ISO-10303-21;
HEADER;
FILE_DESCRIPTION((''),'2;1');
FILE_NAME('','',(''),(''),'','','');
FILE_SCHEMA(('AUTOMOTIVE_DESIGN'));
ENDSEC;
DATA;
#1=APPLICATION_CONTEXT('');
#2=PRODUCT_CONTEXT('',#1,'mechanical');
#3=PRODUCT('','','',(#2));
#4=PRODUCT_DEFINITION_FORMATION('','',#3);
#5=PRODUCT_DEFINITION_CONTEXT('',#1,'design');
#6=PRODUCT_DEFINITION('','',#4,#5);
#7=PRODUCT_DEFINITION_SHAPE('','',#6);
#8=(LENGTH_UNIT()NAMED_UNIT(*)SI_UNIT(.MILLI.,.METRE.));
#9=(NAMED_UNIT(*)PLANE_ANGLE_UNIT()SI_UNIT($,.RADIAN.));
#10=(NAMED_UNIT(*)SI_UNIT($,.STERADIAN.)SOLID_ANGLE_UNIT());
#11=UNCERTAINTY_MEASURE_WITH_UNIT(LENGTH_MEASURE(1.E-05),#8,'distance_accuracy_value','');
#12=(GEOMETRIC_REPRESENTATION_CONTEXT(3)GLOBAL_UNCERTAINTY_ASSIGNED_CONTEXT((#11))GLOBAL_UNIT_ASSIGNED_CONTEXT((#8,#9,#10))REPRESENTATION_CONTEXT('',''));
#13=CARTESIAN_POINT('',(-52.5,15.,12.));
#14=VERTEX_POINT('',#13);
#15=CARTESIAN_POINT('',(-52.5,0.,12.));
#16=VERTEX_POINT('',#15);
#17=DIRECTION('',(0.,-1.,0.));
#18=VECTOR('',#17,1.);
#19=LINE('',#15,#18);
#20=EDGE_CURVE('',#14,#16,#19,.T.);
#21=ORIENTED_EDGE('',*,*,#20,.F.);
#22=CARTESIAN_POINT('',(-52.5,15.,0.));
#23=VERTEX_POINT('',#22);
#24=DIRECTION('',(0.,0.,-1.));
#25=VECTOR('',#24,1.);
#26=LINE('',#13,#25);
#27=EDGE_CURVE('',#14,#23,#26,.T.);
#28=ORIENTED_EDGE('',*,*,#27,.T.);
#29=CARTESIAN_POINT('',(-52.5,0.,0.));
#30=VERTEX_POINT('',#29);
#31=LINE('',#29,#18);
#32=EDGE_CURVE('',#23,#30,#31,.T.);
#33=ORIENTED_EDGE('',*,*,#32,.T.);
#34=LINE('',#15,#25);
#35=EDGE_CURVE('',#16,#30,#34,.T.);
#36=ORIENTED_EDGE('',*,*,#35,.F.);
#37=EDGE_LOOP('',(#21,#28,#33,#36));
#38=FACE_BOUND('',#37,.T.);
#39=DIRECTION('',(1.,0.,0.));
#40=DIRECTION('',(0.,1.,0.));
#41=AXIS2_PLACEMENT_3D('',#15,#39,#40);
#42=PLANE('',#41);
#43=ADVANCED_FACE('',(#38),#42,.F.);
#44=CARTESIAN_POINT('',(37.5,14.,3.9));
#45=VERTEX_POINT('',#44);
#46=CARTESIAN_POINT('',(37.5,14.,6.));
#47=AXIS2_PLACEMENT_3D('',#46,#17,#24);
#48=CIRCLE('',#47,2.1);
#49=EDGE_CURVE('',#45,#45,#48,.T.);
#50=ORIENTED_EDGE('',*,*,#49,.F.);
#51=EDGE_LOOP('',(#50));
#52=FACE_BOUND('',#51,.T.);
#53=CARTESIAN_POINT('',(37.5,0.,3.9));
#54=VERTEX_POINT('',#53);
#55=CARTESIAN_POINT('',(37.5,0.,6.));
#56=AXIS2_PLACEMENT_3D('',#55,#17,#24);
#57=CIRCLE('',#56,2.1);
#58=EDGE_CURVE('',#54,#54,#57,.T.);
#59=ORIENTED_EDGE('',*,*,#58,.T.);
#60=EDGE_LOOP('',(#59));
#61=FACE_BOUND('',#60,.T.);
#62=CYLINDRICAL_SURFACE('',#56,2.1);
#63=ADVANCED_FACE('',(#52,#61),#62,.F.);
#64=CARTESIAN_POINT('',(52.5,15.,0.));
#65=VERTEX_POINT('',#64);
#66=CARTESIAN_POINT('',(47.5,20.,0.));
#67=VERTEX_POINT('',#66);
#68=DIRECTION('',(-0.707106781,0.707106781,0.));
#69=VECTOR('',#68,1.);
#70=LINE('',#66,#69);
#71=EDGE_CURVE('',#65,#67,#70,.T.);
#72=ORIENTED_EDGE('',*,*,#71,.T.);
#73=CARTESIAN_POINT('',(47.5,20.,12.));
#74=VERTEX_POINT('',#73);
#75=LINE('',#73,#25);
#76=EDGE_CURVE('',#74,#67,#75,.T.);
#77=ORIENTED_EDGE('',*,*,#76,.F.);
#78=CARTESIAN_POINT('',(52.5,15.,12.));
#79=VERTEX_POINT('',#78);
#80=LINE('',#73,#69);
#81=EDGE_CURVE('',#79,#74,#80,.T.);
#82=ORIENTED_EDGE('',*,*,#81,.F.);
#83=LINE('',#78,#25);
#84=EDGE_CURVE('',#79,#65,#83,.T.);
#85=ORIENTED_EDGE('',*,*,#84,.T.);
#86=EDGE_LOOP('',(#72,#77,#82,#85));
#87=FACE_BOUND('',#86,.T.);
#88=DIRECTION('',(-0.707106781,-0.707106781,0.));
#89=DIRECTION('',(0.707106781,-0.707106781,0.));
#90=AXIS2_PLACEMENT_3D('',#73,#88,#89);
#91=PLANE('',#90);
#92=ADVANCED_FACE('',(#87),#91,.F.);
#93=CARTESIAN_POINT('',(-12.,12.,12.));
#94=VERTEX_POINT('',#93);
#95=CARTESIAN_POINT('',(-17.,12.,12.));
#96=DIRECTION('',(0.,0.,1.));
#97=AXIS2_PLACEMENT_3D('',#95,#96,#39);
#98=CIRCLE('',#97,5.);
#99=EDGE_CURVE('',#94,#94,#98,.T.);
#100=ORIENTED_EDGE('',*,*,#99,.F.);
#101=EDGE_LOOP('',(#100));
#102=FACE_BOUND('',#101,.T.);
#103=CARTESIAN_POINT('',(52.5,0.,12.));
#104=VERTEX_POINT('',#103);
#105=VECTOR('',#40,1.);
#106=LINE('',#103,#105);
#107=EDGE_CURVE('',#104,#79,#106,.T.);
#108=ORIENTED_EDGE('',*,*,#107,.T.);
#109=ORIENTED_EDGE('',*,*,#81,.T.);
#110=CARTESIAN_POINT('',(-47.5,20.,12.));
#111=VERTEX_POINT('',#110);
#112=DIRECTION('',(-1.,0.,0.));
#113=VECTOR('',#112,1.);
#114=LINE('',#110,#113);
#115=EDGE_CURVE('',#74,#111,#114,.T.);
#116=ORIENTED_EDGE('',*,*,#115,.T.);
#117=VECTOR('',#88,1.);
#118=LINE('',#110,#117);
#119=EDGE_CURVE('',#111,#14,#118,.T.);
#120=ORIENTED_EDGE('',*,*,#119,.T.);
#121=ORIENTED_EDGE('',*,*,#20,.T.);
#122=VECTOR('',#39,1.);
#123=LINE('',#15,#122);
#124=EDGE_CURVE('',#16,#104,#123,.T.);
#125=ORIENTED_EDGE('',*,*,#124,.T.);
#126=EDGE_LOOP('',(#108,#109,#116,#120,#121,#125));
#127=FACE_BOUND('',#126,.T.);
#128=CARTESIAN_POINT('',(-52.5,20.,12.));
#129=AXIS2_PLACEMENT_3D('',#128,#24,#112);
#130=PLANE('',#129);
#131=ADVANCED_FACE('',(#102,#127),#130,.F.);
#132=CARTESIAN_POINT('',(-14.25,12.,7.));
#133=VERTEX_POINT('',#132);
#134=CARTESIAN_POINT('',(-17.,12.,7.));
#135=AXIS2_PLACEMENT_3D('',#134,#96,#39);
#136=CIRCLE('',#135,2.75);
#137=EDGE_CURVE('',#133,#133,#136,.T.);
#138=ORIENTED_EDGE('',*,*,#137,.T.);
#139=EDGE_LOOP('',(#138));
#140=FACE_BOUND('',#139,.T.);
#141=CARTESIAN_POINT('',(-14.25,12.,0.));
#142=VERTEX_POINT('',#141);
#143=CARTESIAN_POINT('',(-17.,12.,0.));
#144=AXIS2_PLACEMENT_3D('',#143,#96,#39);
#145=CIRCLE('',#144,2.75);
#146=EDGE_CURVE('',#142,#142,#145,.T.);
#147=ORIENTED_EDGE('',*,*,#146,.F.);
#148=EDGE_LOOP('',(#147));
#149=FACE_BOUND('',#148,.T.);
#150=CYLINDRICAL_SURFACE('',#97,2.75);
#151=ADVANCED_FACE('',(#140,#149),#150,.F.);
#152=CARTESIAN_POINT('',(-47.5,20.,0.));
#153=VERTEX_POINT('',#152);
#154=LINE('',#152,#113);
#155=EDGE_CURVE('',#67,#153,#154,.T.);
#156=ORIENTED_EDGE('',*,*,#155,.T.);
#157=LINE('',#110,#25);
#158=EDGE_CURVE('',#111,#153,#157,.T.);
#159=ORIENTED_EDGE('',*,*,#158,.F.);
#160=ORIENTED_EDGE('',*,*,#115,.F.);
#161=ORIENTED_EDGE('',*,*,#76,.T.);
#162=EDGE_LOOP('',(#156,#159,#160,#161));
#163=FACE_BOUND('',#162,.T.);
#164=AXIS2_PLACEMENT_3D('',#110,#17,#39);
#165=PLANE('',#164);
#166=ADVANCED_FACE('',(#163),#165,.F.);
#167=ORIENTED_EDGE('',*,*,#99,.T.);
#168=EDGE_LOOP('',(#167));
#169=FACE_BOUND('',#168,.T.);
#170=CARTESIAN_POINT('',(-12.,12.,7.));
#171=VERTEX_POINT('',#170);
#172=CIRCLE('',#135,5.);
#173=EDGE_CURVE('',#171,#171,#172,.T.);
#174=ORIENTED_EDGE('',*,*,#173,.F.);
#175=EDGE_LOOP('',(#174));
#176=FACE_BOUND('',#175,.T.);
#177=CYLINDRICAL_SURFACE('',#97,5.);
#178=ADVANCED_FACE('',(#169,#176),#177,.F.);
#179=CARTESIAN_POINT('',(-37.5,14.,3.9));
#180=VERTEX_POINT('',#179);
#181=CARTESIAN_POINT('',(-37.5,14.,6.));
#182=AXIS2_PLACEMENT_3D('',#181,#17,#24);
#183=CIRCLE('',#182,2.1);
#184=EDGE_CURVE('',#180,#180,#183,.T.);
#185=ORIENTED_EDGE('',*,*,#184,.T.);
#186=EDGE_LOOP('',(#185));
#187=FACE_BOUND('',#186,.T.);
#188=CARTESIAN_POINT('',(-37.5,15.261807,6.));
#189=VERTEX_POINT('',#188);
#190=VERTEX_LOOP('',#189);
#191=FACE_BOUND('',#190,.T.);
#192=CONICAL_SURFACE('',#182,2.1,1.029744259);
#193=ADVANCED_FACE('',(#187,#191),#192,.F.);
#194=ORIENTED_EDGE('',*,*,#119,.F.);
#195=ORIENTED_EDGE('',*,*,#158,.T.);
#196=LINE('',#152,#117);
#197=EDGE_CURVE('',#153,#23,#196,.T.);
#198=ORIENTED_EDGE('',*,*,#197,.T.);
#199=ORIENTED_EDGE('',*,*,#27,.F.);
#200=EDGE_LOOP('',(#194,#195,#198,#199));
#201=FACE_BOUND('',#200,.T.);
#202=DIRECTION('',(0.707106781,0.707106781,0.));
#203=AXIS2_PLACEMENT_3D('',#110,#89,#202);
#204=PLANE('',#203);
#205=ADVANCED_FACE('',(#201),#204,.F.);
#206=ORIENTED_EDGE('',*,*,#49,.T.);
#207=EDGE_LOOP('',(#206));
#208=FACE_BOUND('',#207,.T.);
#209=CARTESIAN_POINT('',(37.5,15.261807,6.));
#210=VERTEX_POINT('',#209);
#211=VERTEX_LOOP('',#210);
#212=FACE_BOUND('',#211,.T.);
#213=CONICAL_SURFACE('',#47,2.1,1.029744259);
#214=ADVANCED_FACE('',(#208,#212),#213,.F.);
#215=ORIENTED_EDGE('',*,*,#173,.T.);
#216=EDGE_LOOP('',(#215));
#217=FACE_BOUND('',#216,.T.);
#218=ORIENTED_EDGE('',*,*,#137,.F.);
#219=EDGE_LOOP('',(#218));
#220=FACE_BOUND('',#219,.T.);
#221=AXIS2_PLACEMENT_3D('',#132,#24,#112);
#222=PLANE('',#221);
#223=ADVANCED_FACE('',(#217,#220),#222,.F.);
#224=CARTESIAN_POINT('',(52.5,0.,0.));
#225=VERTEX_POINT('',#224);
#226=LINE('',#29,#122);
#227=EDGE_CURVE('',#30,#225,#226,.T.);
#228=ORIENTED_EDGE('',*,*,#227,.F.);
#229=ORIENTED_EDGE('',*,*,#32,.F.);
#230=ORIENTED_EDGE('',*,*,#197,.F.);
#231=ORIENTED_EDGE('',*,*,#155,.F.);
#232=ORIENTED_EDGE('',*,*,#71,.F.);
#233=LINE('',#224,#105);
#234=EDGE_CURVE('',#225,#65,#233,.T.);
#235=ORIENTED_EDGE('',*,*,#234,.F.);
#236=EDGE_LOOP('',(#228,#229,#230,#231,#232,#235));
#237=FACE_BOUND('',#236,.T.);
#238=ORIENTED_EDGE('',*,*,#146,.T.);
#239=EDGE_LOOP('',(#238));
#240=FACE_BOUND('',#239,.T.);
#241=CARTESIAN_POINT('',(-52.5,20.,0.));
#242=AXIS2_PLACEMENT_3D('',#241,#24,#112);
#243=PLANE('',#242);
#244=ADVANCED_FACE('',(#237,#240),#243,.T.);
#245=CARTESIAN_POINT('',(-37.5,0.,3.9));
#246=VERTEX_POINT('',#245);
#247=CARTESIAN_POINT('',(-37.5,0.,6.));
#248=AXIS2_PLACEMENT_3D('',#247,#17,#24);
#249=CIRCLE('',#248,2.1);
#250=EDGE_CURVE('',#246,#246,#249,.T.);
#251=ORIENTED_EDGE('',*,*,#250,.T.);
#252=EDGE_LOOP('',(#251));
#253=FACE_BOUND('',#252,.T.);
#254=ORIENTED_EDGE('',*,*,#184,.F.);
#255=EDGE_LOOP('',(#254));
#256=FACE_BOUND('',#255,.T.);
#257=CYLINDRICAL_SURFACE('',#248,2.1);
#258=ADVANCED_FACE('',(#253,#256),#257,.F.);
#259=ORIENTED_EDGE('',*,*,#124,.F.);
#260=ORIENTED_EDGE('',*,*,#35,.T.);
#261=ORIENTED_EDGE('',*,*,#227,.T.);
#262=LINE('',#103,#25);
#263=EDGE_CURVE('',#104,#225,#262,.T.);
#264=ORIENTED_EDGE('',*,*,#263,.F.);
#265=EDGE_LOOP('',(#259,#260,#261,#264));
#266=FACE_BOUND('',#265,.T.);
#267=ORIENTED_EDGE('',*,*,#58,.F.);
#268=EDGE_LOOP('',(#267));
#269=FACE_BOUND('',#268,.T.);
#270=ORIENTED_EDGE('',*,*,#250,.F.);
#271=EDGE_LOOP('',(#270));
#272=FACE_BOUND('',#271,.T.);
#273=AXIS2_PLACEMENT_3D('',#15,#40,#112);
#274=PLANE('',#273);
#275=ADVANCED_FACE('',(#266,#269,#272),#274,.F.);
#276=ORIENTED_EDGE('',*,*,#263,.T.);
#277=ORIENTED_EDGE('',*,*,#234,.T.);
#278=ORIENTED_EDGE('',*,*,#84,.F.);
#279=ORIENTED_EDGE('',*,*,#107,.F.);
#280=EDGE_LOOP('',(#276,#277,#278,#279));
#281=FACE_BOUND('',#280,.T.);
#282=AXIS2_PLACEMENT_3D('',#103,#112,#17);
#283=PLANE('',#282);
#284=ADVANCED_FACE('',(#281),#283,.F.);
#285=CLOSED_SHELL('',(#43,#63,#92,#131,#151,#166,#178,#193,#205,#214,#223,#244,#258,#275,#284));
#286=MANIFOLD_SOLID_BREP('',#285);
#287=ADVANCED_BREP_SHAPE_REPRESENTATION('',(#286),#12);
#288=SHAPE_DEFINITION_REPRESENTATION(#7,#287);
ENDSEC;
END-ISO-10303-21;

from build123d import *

# Parameters (mm, degrees)
BOSS_EXTRUDE1_DEPTH                             = 12
CBORE_FOR_M5_SOCKET_HEAD_CAP_SCREW1_D           = 5.5
CBORE_FOR_M5_SOCKET_HEAD_CAP_SCREW1_CBORE_D     = 10
CBORE_FOR_M5_SOCKET_HEAD_CAP_SCREW1_CBORE_DEPTH = 5
M5X0_8_TAPPED_HOLE1_D                           = 4.2
M5X0_8_TAPPED_HOLE1_DEPTH                       = 14
M5X0_8_TAPPED_HOLE1_TIP                         = 1.2618073


with BuildPart() as part:
    # Sketch1 → Boss-Extrude1 (new body)
    with BuildSketch(Plane.XY):
        Polygon((-47.5, 20), (-52.5, 15), (-52.5, 0), (52.5, 0), (52.5, 15), (47.5, 20), align=None)
    extrude(amount=BOSS_EXTRUDE1_DEPTH)

    # CBORE for M5 Socket Head Cap Screw1 (through all)
    with Locations(Plane.XY.offset(12)):
        with Locations((-17, 12)):
            CounterBoreHole(CBORE_FOR_M5_SOCKET_HEAD_CAP_SCREW1_D / 2, CBORE_FOR_M5_SOCKET_HEAD_CAP_SCREW1_CBORE_D / 2, CBORE_FOR_M5_SOCKET_HEAD_CAP_SCREW1_CBORE_DEPTH)

    # M5x0.8 Tapped Hole1
    with Locations(Plane.XZ):
        with Locations((-37.5, 6), (37.5, 6)):
            Hole(M5X0_8_TAPPED_HOLE1_D / 2, depth=M5X0_8_TAPPED_HOLE1_DEPTH)
            with Locations((0, 0, -(M5X0_8_TAPPED_HOLE1_DEPTH + M5X0_8_TAPPED_HOLE1_TIP / 2))):  # 118° drill point
                Cone(0, M5X0_8_TAPPED_HOLE1_D / 2, M5X0_8_TAPPED_HOLE1_TIP, mode=Mode.SUBTRACT)


solid = part.part
